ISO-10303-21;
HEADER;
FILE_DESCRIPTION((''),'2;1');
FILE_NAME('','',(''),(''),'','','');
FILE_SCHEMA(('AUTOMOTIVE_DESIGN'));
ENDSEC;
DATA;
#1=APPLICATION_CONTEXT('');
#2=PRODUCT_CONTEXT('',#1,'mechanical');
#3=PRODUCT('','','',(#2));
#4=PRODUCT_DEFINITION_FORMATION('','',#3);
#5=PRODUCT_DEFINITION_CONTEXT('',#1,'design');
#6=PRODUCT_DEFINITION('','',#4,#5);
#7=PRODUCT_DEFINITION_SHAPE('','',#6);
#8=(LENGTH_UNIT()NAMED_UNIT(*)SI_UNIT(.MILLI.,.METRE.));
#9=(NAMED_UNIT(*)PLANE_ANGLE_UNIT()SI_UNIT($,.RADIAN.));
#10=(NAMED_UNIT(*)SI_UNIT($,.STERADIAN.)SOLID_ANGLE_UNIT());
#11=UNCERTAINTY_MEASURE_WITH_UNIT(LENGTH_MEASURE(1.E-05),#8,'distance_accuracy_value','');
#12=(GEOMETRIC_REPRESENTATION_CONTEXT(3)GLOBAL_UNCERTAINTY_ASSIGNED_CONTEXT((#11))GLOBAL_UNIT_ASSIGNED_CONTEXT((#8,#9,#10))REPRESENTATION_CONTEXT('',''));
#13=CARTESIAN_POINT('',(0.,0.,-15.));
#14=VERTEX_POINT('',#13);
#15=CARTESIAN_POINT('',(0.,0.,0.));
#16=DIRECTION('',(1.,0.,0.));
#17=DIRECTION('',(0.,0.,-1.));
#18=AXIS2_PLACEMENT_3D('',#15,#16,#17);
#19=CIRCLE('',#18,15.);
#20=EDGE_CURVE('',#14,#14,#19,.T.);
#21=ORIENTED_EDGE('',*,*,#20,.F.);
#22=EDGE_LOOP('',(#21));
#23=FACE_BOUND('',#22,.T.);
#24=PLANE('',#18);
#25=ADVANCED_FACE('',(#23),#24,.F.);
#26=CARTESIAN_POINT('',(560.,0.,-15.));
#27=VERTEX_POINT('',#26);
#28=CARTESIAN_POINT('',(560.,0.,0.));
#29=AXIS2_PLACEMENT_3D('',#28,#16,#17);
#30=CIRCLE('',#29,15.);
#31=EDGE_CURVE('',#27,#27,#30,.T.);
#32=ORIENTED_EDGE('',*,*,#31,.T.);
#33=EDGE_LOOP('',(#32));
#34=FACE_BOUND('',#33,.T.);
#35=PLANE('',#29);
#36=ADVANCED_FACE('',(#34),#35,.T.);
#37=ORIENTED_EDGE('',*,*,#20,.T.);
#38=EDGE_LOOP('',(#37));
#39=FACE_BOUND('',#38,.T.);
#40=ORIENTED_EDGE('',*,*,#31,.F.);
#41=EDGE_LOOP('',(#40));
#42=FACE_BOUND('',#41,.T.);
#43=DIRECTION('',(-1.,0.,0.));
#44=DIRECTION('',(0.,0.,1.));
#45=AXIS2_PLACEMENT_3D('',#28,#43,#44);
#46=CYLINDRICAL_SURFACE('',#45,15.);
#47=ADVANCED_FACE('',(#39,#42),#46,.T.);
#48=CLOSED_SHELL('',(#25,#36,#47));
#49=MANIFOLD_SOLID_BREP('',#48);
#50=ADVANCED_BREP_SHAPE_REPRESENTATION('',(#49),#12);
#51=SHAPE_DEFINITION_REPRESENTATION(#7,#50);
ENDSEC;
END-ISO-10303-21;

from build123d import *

# Parameters (mm, degrees)
SKETCH1_R           = 15
BOSS_EXTRUDE1_DEPTH = 560


with BuildPart() as part:
    # Sketch1 → Boss-Extrude1 (new body)
    with BuildSketch(Plane(origin=(0, 0, 0), x_dir=(0, 0, -1), z_dir=(1, 0, 0))):
        Circle(SKETCH1_R)
    extrude(amount=BOSS_EXTRUDE1_DEPTH)


solid = part.part
